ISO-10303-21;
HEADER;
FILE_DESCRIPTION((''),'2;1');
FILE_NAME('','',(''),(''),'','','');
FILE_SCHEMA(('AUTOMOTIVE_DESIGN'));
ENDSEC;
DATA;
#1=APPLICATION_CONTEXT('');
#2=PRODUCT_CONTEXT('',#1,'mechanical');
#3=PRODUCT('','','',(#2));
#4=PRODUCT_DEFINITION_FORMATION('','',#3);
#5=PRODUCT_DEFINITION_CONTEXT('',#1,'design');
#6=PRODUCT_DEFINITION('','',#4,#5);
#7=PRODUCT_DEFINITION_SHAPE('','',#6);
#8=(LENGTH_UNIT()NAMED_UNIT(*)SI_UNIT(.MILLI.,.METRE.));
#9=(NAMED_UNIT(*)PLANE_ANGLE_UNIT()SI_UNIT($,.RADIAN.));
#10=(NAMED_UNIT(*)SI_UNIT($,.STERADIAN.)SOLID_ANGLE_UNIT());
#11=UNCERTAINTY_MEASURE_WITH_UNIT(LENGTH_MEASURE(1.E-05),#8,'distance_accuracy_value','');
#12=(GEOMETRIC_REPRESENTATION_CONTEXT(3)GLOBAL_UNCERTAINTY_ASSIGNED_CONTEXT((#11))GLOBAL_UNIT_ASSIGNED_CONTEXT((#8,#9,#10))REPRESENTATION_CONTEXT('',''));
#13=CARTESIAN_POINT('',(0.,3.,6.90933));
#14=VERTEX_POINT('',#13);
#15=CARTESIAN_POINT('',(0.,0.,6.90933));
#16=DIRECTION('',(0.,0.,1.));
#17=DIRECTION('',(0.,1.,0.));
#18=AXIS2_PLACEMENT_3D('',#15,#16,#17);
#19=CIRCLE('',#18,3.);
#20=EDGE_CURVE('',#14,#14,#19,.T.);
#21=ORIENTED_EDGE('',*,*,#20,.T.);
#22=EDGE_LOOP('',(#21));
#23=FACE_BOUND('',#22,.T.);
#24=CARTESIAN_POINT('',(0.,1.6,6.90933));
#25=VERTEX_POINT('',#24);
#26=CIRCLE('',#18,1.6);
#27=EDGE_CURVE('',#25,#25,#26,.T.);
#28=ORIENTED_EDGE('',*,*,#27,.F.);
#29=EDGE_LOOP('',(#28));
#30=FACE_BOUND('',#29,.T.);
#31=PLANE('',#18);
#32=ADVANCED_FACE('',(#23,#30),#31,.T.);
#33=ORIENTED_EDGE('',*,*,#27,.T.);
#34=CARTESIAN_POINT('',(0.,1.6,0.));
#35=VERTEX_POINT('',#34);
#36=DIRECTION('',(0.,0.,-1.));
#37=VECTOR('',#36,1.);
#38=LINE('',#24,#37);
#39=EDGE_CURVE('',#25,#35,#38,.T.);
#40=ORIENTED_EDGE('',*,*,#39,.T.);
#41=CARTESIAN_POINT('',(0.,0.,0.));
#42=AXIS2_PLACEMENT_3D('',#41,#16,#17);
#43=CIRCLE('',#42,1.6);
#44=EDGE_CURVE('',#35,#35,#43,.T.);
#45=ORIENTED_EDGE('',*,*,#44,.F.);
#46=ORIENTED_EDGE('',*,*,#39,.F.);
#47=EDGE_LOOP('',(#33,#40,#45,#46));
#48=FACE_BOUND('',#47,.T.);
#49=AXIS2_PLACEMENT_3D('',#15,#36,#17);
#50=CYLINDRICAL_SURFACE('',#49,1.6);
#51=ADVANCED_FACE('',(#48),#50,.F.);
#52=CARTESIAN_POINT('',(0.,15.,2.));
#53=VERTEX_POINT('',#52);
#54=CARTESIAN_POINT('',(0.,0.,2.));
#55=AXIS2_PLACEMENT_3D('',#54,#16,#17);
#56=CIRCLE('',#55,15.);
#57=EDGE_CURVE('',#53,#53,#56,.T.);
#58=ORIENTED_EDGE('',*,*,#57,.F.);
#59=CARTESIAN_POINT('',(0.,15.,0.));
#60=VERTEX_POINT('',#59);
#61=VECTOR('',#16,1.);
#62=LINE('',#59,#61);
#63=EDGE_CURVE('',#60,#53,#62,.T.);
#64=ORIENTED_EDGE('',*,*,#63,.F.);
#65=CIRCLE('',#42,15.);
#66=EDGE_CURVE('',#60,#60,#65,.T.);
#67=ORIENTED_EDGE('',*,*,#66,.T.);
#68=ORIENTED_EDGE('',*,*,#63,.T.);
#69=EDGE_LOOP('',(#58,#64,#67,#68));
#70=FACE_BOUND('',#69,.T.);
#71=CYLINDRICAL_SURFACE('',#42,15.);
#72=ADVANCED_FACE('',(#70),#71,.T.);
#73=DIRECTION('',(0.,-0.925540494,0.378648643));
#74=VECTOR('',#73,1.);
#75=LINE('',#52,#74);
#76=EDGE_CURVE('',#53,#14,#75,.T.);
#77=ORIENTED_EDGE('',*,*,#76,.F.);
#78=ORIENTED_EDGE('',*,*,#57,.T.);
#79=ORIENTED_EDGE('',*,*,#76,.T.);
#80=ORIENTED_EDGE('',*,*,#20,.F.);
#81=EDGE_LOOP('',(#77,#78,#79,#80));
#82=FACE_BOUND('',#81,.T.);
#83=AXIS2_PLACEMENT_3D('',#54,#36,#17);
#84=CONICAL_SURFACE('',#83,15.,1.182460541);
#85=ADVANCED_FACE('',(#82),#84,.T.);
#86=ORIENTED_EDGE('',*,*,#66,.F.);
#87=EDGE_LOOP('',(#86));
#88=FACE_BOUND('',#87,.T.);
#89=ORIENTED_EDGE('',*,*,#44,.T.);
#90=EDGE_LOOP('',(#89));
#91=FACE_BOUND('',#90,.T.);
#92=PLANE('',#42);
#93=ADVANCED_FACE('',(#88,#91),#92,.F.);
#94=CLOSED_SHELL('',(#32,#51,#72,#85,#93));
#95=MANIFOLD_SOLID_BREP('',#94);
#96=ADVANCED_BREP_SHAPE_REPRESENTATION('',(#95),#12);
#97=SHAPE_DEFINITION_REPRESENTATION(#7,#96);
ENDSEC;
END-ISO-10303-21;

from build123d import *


with BuildPart() as part:
    # Sketch002 → Revolution (revolve)
    with BuildSketch(Plane.YZ):
        Polygon((1.6, 6.90933), (1.6, 0), (15, 0), (15, 2), (3, 6.90933), align=None)
    revolve(axis=Axis((0, 0, 0), (0, 0, 1)))


solid = part.part
